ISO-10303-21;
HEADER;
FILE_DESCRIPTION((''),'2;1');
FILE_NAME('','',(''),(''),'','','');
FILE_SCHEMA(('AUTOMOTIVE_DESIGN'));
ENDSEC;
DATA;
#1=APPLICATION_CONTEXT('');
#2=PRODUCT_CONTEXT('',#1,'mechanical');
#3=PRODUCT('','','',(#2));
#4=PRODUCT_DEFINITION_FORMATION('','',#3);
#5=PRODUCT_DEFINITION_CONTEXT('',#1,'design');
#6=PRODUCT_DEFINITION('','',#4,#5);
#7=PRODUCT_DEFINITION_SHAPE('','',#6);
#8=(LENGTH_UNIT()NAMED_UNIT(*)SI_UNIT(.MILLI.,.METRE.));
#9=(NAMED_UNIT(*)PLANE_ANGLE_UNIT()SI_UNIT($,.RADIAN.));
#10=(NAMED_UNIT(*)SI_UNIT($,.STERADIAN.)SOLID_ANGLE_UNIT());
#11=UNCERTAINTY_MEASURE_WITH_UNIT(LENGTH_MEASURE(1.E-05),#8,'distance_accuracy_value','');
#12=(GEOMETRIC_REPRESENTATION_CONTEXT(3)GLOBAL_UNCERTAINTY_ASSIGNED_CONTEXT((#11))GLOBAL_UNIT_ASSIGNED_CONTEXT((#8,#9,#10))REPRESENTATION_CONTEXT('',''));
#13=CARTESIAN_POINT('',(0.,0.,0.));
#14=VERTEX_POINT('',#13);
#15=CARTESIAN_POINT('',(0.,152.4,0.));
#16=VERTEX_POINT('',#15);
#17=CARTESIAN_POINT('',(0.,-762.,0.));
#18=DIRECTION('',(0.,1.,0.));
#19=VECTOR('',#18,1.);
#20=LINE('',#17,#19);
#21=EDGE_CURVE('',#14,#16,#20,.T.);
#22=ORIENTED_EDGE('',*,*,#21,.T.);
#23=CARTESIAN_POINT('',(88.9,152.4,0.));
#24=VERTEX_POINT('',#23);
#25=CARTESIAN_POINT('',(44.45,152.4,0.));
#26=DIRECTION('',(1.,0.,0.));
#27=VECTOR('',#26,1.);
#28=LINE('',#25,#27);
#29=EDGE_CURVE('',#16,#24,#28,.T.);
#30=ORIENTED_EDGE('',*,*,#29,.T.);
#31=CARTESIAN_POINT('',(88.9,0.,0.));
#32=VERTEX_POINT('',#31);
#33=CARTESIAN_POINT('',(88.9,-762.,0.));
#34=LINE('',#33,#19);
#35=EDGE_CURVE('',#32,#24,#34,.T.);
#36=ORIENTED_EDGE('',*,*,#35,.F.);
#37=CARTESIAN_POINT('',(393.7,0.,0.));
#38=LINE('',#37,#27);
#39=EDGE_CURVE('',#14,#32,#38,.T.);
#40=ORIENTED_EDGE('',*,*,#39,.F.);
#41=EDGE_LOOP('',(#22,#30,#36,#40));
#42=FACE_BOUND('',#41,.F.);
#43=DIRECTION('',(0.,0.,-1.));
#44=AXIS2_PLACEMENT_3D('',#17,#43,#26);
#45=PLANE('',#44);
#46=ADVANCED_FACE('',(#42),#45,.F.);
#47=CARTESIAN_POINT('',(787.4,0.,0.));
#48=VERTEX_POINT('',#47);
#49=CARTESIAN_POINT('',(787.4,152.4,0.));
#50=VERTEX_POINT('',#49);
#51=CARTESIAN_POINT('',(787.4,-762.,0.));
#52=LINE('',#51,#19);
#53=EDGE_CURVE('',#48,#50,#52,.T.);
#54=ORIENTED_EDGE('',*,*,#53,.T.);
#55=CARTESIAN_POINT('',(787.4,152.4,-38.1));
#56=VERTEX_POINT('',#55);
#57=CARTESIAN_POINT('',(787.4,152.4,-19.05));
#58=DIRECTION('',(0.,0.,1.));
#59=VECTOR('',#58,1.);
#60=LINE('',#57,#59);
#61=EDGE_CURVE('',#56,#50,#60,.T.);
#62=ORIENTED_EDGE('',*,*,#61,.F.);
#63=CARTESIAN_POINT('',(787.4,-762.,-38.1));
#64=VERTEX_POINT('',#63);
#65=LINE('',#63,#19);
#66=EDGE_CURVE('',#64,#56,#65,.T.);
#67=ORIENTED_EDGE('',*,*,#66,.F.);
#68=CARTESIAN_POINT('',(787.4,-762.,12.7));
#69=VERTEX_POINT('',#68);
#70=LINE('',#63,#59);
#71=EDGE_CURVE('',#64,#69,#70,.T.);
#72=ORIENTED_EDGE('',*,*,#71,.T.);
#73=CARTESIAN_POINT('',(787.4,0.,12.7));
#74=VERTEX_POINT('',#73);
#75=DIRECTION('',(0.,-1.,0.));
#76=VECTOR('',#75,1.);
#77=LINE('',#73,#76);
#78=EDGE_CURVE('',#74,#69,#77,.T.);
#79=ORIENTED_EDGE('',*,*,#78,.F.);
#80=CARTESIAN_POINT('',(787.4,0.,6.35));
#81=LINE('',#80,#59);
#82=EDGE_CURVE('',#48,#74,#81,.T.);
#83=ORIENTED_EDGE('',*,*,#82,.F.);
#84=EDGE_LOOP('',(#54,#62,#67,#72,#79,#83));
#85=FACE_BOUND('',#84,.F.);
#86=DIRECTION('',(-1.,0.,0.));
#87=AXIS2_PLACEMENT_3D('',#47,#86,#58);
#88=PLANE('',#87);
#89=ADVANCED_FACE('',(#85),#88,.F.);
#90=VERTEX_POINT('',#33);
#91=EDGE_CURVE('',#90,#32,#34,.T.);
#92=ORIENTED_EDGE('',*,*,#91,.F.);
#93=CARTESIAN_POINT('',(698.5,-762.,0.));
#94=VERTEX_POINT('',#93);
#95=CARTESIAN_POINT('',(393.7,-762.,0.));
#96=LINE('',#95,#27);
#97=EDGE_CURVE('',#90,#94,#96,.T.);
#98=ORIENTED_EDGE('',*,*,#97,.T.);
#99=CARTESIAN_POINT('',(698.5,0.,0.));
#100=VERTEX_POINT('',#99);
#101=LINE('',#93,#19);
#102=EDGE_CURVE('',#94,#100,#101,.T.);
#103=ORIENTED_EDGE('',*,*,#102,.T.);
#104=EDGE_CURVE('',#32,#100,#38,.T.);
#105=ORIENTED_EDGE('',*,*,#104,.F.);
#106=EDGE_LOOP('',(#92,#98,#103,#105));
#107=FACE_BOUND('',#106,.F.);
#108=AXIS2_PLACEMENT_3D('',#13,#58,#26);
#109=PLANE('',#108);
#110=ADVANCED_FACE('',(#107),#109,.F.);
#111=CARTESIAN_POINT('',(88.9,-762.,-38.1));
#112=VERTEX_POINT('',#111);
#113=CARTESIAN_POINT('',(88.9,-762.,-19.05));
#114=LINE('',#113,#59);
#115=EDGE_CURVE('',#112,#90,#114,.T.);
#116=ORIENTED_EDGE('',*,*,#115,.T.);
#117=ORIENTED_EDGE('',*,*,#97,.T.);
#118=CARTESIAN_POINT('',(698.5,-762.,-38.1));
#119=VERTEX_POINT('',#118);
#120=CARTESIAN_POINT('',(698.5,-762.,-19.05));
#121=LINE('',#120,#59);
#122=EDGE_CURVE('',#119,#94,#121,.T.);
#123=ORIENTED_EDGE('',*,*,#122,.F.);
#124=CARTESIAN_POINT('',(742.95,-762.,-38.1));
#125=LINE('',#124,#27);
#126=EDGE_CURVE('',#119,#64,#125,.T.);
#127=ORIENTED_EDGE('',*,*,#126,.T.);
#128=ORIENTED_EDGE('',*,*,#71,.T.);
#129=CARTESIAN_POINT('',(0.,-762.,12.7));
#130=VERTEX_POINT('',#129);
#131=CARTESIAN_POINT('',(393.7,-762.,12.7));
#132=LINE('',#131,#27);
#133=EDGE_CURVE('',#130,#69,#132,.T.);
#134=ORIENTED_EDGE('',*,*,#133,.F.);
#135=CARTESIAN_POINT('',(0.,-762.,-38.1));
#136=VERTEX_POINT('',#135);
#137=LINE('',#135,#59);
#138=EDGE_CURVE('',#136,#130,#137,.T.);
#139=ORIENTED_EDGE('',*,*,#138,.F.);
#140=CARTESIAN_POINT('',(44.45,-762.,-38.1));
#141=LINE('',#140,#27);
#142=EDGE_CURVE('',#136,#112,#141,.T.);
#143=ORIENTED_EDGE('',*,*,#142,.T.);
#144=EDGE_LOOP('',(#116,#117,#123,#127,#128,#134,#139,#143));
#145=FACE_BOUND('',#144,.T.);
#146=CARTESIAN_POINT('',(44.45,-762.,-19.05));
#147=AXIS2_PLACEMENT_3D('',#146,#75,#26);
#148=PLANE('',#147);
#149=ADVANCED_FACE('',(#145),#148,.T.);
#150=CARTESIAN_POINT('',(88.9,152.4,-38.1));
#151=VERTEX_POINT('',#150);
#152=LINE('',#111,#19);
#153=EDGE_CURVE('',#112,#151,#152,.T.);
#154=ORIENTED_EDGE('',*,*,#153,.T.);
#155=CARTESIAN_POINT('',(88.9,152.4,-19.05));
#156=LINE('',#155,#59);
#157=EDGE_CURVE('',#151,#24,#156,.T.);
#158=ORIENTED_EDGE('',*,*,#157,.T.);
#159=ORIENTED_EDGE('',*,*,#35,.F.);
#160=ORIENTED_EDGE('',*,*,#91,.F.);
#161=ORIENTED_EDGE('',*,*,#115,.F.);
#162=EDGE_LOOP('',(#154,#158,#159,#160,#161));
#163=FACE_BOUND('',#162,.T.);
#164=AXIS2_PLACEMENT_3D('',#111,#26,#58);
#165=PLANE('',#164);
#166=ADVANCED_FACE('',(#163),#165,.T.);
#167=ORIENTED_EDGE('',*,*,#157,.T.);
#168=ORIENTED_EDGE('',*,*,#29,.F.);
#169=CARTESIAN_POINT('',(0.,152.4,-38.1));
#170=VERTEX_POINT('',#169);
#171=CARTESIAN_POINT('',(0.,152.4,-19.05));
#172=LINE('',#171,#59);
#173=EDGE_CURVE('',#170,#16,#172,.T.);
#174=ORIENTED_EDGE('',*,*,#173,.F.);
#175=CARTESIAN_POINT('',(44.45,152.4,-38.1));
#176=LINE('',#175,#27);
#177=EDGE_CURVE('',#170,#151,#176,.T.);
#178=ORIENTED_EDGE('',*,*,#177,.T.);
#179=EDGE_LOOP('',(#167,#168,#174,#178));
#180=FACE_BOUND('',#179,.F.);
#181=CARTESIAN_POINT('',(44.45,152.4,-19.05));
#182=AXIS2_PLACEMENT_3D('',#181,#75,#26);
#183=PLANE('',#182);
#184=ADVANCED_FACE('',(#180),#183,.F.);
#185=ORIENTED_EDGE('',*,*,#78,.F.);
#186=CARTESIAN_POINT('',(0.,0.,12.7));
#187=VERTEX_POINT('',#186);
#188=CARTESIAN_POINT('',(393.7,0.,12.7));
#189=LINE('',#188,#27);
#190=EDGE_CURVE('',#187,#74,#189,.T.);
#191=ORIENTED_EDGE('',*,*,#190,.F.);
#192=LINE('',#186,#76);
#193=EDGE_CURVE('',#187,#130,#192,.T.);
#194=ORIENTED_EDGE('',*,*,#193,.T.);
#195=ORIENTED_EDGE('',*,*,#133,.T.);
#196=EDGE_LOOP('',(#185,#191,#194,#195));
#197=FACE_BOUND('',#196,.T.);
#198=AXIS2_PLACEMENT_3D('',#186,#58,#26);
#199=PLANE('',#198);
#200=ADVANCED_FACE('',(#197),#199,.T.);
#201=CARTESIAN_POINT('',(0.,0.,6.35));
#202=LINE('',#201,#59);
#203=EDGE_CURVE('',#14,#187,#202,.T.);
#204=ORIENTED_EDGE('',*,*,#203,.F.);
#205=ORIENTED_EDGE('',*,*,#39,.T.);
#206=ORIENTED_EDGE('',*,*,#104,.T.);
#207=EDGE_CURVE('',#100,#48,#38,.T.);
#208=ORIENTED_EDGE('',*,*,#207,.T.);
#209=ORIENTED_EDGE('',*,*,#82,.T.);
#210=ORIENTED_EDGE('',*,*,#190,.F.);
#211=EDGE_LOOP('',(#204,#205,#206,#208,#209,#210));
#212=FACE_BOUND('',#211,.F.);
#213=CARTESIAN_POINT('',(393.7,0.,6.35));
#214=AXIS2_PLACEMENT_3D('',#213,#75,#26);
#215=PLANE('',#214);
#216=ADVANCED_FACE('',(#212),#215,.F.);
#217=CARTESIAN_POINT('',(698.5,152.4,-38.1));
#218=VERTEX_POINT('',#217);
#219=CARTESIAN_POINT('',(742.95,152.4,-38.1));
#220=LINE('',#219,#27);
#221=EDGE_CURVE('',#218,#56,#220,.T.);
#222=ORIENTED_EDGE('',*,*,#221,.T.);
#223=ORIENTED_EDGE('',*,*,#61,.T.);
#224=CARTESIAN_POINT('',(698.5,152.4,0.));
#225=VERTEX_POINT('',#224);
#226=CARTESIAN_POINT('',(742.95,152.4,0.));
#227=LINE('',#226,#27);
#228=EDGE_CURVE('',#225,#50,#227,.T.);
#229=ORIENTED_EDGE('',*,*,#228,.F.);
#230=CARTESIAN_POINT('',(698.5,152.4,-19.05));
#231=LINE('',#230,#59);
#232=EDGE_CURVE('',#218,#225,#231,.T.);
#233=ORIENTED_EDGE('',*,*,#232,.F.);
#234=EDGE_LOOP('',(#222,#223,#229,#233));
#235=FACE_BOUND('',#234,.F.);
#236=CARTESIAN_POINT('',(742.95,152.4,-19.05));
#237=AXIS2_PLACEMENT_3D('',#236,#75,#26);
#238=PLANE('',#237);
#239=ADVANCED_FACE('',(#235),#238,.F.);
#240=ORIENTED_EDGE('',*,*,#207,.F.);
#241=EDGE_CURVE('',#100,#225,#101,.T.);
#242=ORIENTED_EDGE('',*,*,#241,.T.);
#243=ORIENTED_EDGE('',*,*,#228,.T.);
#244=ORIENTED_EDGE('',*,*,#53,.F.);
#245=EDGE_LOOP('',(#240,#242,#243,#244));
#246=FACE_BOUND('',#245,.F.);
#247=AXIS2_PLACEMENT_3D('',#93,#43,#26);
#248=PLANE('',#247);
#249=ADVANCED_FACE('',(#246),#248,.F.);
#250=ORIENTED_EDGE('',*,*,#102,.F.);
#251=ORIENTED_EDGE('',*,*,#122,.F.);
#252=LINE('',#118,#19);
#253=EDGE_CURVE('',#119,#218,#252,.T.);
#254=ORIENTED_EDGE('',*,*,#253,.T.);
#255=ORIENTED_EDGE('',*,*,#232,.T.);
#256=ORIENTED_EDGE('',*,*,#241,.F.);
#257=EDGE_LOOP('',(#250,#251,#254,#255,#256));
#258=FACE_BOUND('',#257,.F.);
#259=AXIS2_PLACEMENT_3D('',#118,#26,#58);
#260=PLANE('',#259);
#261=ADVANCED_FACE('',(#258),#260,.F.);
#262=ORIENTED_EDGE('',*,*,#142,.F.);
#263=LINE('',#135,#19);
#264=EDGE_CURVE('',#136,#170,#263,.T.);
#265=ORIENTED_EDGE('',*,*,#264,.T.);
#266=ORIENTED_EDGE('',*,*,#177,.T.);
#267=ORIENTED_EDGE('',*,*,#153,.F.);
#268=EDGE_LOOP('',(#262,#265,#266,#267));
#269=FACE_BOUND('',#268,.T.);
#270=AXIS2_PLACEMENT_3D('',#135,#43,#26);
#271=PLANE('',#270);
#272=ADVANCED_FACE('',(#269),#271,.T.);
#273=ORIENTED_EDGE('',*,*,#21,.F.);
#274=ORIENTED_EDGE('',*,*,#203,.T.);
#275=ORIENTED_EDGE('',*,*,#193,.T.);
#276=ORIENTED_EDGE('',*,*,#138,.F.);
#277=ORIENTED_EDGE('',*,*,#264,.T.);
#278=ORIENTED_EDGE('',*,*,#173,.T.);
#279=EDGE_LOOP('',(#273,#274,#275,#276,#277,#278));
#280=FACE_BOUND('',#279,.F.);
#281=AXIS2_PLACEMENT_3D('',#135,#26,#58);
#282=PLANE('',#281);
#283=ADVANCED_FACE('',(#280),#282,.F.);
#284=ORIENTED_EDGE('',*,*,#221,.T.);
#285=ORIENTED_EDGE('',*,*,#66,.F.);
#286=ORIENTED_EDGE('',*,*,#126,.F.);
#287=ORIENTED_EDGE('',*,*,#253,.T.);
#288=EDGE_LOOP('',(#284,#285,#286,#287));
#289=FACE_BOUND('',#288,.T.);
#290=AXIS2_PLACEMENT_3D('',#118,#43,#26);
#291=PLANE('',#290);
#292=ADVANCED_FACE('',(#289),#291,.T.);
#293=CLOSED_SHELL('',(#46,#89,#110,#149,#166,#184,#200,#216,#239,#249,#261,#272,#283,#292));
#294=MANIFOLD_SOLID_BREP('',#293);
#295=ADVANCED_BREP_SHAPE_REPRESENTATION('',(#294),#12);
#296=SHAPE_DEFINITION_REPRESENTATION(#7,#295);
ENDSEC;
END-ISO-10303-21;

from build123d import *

# Parameters (mm, degrees)
F0_W     = 787.4
F0_H     = 12.7
F1_DEPTH = 762
F2_W     = 88.9
F2_H     = 38.1
F3_DEPTH = 914.4


with BuildPart() as f1:
    # F0 (on Front) → F1 (new body)
    with BuildSketch(Plane.XZ):
        with Locations((393.7, 6.35)):
            Rectangle(F0_W, F0_H)
    extrude(amount=F1_DEPTH)

    # F2 (on face) → F3 (join)
    with BuildSketch(Plane.XZ.offset(762)):
        with Locations((44.45, -19.05)):
            Rectangle(F2_W, F2_H)
        with Locations((742.95, -19.05)):
            Rectangle(F2_W, F2_H)
    extrude(amount=-F3_DEPTH)


solid = f1.part
